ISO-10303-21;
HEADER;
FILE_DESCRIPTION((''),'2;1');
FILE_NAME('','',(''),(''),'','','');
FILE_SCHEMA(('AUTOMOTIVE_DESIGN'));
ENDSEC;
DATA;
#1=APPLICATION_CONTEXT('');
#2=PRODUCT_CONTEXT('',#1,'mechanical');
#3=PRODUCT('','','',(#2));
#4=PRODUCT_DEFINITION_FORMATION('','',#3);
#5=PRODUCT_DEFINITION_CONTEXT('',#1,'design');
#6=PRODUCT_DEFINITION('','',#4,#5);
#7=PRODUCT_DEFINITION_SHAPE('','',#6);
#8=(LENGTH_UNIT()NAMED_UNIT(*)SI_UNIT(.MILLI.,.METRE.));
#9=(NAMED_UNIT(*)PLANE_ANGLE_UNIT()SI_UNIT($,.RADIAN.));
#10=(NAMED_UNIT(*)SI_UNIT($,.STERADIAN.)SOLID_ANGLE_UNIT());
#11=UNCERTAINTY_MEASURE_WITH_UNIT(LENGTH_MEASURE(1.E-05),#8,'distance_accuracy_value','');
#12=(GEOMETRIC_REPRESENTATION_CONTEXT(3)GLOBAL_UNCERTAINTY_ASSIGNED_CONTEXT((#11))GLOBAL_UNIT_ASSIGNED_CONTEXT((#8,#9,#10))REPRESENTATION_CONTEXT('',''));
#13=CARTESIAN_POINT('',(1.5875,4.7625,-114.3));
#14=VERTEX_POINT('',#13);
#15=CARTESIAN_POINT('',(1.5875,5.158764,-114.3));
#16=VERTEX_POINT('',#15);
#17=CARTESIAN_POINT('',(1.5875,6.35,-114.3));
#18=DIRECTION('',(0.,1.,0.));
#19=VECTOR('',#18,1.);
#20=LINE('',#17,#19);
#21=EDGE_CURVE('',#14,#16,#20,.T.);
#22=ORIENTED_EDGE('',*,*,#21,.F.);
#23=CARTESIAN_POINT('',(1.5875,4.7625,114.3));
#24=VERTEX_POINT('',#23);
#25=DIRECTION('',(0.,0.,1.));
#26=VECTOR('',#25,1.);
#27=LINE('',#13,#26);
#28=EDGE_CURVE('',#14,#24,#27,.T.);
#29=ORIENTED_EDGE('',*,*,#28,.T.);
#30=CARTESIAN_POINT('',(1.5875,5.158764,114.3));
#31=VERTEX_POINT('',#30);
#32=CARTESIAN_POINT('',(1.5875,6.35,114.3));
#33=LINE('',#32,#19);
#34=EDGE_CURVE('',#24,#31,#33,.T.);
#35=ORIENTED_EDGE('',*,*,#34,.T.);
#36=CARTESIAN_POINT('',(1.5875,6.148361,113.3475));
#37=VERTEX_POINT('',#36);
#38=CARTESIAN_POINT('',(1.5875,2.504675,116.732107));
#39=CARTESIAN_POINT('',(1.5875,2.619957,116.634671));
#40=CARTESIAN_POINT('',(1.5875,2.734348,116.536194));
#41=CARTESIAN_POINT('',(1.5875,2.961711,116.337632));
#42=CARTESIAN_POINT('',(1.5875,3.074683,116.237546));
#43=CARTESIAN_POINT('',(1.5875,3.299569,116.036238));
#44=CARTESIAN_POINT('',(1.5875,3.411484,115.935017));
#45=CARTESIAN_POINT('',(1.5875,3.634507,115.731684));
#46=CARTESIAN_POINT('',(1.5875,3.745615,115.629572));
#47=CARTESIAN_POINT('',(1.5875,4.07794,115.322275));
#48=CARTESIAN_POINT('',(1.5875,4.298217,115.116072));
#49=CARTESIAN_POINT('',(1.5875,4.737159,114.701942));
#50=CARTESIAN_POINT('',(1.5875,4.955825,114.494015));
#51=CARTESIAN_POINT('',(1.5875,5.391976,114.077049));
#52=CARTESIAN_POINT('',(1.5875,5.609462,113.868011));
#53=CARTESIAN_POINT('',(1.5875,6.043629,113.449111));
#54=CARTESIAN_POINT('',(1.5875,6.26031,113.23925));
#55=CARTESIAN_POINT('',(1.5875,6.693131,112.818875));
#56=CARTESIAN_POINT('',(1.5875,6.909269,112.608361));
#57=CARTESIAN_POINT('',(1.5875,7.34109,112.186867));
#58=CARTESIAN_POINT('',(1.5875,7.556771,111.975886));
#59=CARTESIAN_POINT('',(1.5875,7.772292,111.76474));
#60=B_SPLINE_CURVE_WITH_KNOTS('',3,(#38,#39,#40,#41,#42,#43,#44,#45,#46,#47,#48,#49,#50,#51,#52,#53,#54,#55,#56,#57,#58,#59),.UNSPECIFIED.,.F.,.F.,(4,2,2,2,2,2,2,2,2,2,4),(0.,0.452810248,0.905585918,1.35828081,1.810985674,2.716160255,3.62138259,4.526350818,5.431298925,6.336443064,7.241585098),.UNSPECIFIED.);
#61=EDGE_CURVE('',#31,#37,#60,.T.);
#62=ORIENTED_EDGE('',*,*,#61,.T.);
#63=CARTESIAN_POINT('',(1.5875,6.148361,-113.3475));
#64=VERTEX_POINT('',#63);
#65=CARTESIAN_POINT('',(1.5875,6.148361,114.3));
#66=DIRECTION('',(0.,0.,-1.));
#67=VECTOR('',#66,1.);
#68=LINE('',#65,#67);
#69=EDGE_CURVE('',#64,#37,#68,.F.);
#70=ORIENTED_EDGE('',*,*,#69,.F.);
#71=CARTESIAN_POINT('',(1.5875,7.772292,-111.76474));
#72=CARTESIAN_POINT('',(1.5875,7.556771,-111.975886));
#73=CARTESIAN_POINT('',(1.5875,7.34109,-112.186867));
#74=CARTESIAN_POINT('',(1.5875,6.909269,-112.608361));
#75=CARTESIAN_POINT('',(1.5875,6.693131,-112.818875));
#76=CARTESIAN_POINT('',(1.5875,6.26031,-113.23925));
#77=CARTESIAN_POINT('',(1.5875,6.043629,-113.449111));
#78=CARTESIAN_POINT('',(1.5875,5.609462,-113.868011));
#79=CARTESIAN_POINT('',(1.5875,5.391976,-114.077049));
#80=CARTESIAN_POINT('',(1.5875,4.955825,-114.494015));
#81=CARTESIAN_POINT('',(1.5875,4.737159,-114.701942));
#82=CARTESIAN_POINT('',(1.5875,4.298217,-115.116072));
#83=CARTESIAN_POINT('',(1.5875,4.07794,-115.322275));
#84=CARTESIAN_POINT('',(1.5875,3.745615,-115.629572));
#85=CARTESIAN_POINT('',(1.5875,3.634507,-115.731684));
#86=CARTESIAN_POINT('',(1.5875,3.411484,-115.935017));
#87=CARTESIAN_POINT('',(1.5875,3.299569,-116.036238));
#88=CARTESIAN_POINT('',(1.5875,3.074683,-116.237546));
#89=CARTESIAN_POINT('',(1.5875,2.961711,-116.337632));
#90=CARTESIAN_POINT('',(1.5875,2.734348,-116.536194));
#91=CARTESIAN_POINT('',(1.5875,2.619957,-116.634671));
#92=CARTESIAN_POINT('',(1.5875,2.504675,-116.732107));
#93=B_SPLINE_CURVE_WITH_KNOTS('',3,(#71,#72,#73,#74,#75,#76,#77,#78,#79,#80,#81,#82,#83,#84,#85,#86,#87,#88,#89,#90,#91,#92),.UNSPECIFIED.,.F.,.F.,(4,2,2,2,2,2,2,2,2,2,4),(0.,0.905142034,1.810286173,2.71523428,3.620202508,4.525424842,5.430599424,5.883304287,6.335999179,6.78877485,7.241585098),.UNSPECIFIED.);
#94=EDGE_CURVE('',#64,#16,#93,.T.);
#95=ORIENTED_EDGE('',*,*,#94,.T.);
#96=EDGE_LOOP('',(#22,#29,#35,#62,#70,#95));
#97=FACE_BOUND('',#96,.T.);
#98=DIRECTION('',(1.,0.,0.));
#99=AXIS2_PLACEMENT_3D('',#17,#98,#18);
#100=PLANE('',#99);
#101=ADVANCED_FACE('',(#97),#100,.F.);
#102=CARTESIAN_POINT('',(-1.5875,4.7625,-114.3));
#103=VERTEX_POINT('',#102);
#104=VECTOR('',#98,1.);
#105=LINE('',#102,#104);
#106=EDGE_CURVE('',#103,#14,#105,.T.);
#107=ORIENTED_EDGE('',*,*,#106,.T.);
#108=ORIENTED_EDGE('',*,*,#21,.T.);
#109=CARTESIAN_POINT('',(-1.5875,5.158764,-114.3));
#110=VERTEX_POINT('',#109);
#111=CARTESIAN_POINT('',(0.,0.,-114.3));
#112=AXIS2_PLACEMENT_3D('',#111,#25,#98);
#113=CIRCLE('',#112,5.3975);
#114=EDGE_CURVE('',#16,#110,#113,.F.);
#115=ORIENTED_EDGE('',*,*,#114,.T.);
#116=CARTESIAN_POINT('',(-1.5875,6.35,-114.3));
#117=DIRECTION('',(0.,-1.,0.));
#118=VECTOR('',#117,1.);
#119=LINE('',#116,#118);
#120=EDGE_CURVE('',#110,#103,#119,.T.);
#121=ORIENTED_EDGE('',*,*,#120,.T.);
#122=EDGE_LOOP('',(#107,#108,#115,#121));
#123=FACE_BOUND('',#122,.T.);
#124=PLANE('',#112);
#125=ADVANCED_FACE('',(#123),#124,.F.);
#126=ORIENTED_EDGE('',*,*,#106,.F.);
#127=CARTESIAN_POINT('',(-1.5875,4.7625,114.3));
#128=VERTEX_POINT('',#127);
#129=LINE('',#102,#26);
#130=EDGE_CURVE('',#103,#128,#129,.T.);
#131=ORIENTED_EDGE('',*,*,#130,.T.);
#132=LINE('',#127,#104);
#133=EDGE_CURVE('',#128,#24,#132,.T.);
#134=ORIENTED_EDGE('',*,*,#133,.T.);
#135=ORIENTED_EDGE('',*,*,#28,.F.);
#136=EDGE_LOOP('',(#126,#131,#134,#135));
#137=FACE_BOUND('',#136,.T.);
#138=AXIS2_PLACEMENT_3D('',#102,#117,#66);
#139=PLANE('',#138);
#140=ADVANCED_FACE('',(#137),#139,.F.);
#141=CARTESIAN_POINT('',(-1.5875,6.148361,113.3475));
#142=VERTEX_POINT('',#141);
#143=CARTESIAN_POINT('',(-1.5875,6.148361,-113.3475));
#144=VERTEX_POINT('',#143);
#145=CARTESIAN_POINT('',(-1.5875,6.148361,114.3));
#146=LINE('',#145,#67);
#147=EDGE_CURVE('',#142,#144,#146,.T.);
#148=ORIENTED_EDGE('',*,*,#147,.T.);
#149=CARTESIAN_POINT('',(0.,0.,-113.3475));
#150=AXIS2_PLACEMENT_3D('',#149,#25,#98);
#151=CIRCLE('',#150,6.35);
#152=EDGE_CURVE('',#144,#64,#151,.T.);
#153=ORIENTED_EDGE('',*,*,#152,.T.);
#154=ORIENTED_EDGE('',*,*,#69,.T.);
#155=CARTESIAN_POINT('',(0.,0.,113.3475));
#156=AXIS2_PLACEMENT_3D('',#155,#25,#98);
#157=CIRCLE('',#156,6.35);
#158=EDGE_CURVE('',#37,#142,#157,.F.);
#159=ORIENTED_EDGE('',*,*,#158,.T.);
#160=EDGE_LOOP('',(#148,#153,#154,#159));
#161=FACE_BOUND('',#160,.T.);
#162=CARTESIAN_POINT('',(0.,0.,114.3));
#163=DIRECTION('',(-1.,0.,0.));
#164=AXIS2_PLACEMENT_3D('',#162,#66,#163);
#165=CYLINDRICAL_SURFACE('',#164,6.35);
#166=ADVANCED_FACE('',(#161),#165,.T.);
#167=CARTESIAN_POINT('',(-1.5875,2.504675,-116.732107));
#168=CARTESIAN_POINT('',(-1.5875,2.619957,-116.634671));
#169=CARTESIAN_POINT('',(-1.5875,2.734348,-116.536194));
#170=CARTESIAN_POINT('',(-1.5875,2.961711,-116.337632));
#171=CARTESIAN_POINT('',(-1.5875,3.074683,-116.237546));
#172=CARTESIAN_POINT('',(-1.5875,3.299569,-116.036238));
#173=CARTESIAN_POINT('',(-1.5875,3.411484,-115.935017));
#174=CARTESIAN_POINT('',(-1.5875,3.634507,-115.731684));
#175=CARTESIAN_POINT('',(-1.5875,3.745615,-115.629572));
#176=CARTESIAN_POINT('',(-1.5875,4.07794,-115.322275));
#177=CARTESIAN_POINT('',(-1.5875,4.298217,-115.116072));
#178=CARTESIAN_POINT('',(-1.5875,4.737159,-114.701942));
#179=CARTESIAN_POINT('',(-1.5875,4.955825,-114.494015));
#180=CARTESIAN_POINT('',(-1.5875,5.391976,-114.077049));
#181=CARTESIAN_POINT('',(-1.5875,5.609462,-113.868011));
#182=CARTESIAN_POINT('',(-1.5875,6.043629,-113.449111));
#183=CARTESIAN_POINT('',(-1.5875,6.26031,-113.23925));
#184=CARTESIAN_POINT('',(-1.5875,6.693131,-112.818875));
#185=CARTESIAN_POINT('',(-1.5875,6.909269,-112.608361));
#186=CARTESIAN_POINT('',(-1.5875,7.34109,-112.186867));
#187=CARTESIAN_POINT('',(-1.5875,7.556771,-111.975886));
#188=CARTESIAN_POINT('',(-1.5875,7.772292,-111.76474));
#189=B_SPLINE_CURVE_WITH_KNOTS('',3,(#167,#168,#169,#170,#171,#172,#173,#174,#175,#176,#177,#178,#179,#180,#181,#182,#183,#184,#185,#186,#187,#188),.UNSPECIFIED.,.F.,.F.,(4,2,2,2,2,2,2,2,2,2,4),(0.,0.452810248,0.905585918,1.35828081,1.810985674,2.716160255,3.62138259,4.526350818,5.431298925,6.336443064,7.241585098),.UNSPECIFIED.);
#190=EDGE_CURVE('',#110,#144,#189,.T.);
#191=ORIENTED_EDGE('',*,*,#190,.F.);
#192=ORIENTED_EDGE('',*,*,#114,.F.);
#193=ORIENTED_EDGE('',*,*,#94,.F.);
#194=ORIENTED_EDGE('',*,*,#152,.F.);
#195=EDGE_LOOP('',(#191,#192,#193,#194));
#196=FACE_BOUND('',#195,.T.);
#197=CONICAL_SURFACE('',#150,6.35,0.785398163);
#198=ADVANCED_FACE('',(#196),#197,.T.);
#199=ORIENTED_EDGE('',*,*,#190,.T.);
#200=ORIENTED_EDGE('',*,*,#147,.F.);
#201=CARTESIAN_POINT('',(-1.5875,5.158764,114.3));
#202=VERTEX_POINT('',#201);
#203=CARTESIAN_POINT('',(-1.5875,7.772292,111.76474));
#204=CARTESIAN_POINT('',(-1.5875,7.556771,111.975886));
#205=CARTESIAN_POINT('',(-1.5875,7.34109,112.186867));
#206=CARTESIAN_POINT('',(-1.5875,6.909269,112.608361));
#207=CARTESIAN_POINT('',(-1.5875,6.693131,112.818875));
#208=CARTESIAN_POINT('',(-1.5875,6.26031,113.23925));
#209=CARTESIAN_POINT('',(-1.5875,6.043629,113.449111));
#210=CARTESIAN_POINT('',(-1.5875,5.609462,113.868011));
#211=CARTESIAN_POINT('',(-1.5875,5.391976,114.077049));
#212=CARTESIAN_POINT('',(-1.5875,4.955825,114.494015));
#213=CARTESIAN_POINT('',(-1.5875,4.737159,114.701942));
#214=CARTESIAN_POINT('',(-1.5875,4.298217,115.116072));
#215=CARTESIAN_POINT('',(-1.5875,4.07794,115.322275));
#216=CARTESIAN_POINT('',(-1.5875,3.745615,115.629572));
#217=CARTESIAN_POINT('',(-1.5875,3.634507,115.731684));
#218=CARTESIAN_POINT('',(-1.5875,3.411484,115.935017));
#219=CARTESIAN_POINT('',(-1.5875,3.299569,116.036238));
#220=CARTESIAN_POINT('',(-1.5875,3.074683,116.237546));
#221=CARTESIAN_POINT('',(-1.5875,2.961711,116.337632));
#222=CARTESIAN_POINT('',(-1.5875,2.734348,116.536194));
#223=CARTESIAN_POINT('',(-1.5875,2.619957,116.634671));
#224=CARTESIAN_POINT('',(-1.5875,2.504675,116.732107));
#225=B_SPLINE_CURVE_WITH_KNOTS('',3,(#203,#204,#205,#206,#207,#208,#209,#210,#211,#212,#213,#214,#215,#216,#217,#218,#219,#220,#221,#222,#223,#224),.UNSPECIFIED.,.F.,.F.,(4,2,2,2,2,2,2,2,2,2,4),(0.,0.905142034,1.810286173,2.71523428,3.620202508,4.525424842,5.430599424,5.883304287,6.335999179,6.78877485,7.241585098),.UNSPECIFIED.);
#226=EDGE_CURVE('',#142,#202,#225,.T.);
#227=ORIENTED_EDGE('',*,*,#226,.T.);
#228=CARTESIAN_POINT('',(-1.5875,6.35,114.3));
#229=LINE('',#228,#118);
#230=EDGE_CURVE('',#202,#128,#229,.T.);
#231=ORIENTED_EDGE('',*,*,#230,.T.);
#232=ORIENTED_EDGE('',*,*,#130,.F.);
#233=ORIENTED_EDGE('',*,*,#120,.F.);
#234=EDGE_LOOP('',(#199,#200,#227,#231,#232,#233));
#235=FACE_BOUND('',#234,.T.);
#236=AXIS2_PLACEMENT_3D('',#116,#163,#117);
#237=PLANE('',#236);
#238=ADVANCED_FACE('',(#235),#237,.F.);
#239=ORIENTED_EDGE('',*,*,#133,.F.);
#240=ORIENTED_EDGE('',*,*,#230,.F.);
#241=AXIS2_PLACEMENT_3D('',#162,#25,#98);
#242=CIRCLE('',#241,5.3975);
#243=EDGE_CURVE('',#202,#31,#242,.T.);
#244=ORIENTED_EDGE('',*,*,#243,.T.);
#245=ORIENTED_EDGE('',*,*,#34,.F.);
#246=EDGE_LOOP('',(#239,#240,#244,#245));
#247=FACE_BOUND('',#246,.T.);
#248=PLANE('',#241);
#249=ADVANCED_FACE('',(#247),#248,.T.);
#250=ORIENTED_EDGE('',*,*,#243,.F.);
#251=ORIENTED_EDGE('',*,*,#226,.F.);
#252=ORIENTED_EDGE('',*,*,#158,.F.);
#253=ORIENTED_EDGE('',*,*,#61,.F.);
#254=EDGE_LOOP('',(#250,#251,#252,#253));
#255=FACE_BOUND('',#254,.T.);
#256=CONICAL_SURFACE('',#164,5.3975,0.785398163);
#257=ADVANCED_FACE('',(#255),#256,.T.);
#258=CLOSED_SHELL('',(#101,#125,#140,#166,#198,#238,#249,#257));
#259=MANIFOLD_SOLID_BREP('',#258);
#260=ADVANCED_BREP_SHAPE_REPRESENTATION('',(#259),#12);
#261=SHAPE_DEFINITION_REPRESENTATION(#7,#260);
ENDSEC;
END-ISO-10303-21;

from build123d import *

# Parameters (mm, degrees)
SKETCH1_R           = 6.35
EXTRUDE1_DEPTH      = 114.3
CHAMFER1_SIZE       = 0.9525
EXTRUDE2_DEPTH      = 115.652235041
EXTRUDE2_DEPTH_BACK = 115.652235041
SKETCH3_W           = 3.175
SKETCH3_H           = 1.5875


with BuildPart() as part:
    # Sketch1 → Extrude1 (new, symmetric)
    with BuildSketch(Plane.XY):
        Circle(SKETCH1_R)
    extrude(amount=EXTRUDE1_DEPTH, both=True)

    # Chamfer1
    chamfer1_edges = [part.edges().sort_by_distance(p)[0] for p in [
        (-6.35, 0, -114.3),
        (-6.35, 0, 114.3),
    ]]
    chamfer(chamfer1_edges, length=CHAMFER1_SIZE)

    # Sketch3 → Extrude2 (cut, two sides: drawn at the far end of the back side and taken through both)
    with BuildSketch(Plane.XY.offset(-EXTRUDE2_DEPTH_BACK)):
        with Locations((0, 5.55625)):
            Rectangle(SKETCH3_W, SKETCH3_H)
    extrude(amount=EXTRUDE2_DEPTH + EXTRUDE2_DEPTH_BACK, mode=Mode.SUBTRACT)


solid = part.part
